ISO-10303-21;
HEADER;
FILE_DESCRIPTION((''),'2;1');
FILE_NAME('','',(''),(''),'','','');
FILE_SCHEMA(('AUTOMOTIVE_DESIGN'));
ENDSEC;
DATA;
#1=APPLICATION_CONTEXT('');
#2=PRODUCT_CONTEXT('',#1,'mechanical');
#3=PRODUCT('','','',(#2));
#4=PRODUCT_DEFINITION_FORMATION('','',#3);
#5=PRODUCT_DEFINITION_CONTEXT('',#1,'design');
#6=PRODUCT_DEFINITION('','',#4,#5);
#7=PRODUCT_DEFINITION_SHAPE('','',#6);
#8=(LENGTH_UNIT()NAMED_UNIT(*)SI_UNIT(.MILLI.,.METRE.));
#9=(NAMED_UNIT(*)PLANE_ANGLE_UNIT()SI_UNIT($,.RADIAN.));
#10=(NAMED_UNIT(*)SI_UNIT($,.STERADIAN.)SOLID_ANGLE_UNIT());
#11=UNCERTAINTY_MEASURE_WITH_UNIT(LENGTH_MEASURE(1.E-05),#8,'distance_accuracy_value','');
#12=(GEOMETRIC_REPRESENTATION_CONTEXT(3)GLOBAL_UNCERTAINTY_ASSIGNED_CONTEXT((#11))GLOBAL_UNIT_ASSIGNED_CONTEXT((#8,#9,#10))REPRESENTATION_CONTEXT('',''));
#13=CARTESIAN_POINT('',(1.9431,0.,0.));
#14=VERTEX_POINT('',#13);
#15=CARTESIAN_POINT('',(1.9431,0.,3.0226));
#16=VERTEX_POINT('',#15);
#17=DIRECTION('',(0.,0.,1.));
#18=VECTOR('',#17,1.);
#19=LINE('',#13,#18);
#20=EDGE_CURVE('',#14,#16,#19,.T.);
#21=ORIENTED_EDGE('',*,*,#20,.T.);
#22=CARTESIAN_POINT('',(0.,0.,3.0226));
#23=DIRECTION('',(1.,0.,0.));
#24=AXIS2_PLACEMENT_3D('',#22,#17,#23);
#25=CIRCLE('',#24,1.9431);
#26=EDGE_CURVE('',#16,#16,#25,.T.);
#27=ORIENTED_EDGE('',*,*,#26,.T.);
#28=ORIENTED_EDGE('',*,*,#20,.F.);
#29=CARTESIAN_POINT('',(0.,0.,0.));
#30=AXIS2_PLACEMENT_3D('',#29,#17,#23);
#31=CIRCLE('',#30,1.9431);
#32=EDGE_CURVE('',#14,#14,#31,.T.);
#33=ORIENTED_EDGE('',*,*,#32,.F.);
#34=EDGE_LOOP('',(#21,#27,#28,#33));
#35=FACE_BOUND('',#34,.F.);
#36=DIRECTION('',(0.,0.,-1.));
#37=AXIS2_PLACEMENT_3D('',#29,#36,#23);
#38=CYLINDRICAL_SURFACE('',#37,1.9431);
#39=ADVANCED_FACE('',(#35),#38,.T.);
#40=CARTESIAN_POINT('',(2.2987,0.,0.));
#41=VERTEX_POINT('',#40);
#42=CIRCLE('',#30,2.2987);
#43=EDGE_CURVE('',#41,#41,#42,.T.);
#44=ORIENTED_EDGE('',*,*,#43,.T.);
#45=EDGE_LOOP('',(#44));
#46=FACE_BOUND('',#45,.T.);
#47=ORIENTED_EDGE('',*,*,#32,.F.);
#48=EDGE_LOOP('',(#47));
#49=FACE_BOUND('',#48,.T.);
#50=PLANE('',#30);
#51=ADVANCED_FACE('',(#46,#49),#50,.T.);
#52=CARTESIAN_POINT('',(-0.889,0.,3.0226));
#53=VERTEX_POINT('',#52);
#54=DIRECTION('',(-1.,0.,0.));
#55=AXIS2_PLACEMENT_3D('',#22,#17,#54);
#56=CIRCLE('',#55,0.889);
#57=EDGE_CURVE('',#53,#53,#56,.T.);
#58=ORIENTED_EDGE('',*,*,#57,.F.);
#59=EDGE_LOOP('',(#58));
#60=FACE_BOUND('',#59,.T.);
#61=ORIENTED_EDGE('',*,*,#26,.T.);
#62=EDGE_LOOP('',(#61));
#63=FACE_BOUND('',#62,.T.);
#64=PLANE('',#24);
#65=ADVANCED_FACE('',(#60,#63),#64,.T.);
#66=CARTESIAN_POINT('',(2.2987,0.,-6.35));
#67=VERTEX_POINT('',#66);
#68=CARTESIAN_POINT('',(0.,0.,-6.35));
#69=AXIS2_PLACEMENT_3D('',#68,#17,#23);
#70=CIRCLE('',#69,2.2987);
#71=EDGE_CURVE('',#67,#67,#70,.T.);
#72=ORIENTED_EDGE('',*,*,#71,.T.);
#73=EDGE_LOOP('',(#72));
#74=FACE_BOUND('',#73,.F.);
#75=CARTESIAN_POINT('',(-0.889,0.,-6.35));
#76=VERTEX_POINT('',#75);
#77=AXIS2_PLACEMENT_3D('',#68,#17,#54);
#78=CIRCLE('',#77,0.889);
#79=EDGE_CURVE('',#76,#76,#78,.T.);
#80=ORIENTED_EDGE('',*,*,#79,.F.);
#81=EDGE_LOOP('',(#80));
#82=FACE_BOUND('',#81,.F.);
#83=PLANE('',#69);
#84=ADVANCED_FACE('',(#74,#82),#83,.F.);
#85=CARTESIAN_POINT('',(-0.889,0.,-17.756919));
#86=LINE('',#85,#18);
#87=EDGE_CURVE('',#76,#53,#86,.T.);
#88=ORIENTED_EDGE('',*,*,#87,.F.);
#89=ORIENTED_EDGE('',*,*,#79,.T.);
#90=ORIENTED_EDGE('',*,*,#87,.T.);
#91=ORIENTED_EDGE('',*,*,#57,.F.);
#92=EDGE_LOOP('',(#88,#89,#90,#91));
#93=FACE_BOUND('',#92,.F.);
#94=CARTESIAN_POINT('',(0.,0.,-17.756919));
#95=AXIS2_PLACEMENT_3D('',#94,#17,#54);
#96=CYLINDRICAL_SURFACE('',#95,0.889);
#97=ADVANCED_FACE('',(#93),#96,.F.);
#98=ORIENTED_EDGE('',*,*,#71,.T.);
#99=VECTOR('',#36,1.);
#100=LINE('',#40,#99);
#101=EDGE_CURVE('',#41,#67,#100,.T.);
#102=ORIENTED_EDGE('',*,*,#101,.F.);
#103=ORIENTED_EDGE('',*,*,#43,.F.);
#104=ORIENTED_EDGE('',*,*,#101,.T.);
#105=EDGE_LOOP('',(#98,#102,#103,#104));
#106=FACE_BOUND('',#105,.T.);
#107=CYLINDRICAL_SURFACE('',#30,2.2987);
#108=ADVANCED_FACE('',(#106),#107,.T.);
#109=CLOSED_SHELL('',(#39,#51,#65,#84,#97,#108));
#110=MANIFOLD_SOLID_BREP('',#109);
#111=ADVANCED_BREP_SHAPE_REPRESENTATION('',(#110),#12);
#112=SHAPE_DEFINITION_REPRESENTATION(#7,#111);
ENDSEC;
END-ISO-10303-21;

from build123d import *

# Parameters (mm, degrees)
F1_R     = 1.9431
F2_DEPTH = 3.0226
F1_R_2   = 2.2987
F3_DEPTH = 6.35
F5_D     = 1.778


with BuildPart() as f2:
    # F1 (on Top) → F2 (new body)
    with BuildSketch(Plane.XY):
        Circle(F1_R)
    extrude(amount=F2_DEPTH)

    # F1 (on Top) → F3 (join)
    with BuildSketch(Plane.XY):
        Circle(F1_R_2)
        Circle(F1_R, mode=Mode.SUBTRACT)
        Circle(F1_R)
    extrude(amount=-F3_DEPTH)

    # F5 (through all)
    with Locations(Plane(origin=(0, 0, -6.35), x_dir=(1, 0, 0), z_dir=(0, 0, -1))):
        with Locations((0, 0)):
            Hole(F5_D / 2)


solid = f2.part
